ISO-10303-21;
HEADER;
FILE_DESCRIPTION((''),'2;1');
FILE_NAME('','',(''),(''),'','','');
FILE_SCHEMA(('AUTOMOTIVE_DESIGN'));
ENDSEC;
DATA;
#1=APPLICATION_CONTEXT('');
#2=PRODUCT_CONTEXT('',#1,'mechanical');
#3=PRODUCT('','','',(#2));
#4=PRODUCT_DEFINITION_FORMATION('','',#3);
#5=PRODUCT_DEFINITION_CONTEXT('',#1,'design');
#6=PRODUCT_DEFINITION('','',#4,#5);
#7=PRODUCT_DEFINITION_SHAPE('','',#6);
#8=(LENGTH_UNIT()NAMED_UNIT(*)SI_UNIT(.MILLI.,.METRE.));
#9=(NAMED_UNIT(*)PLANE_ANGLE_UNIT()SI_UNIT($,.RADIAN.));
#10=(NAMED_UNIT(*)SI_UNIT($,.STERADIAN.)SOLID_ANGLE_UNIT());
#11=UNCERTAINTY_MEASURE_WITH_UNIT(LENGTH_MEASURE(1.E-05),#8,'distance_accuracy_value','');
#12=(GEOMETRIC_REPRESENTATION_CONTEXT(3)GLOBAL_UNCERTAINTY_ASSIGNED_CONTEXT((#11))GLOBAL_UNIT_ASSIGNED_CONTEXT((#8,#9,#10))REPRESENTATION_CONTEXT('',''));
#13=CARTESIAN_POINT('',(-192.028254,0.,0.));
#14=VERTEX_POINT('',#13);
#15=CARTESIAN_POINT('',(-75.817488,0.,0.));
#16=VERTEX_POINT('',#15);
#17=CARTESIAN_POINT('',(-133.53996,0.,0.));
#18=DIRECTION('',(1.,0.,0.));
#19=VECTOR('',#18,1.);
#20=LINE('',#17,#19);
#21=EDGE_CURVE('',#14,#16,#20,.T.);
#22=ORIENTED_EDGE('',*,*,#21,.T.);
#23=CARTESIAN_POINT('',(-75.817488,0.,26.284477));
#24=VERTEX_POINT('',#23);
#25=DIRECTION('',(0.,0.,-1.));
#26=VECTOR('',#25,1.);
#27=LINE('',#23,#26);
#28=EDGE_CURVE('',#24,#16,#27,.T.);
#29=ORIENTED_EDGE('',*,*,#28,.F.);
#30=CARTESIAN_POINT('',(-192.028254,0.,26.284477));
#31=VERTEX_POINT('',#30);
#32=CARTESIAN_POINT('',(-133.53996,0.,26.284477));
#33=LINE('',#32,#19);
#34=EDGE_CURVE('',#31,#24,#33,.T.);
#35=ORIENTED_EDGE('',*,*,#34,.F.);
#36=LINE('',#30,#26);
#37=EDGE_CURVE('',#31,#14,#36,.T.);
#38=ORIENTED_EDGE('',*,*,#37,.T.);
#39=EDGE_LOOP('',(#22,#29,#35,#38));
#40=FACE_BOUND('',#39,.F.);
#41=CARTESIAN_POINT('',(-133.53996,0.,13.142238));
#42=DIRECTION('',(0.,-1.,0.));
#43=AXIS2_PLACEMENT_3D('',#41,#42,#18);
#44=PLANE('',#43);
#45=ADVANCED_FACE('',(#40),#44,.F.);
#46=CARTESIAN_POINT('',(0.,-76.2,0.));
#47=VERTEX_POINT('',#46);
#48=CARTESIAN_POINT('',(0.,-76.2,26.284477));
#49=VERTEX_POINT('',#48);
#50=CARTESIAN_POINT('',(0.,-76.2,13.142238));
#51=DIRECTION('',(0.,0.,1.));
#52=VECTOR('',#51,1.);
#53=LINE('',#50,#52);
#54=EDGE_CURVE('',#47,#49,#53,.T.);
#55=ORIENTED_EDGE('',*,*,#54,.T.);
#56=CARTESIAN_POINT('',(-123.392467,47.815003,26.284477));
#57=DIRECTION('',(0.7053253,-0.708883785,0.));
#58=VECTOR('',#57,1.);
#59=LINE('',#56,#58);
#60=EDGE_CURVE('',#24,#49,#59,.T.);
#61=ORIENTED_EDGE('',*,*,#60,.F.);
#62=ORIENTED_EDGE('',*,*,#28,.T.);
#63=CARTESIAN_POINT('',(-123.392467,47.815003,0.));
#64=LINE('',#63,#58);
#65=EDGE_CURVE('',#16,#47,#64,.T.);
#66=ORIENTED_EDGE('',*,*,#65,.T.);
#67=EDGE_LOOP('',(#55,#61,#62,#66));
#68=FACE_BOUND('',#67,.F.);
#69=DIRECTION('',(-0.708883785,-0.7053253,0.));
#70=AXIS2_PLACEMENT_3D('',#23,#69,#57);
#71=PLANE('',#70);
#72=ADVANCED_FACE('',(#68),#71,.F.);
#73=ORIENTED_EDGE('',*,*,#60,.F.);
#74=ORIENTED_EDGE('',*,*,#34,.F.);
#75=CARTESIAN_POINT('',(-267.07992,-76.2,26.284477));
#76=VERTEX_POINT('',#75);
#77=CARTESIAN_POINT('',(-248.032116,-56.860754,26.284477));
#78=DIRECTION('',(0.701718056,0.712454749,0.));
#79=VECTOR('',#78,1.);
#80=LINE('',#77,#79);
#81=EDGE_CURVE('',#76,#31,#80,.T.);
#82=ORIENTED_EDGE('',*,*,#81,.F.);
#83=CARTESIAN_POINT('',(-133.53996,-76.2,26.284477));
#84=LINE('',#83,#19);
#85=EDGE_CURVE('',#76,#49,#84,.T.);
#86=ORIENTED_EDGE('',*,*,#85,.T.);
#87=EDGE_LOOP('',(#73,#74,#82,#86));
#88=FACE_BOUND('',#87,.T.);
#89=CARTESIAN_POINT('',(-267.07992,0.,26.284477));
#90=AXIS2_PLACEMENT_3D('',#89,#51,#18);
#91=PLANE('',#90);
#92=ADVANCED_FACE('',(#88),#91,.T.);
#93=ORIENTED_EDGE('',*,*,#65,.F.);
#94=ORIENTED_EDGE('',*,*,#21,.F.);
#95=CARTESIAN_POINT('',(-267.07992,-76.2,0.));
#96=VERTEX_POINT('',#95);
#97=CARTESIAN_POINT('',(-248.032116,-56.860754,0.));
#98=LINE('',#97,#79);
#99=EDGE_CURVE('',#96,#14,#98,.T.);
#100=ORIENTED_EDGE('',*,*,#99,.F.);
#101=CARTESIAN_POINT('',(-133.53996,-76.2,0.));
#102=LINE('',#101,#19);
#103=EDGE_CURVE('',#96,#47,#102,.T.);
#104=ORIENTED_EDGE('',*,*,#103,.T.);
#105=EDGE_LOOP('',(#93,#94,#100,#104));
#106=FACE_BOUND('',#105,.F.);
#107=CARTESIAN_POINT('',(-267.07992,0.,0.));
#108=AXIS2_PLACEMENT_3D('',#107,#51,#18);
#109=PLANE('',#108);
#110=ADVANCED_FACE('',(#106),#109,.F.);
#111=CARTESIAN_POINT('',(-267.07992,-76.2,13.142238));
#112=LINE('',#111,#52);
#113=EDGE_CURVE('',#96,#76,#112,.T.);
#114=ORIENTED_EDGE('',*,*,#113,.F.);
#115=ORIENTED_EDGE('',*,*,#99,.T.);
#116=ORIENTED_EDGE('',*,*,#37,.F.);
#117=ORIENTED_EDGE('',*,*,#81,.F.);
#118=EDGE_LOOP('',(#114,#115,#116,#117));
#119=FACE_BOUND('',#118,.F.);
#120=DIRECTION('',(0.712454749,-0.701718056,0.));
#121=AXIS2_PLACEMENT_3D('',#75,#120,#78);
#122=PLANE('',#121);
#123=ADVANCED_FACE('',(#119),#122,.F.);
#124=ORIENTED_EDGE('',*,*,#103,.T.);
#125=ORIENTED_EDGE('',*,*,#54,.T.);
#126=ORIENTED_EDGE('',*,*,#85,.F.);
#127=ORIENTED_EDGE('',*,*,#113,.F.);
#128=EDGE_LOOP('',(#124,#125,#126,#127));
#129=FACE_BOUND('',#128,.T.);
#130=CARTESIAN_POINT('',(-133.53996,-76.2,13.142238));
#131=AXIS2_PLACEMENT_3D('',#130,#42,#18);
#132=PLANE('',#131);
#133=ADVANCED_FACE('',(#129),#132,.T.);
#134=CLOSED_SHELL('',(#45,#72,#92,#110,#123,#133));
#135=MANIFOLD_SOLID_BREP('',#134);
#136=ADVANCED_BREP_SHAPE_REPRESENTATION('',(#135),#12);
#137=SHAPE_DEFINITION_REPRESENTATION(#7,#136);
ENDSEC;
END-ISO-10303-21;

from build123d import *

# Parameters (mm, degrees)
F0_W     = 267.07992
F0_H     = 26.284477
F1_DEPTH = 76.2
F3_DEPTH = 50.8


with BuildPart() as f1:
    # F0 (on Front) → F1 (new body)
    with BuildSketch(Plane.XZ):
        with Locations((-133.53996, 13.142238)):
            Rectangle(F0_W, F0_H)
    extrude(amount=F1_DEPTH)

    # F2 (on face) → F3 (cut)
    with BuildSketch(Plane.XY.offset(26.284477)):
        Polygon((-192.028254, 0), (-267.07992, 0), (-267.07992, -76.2), align=None)
        Polygon((0, -76.2), (0, 0), (-75.817488, 0), align=None)
    extrude(amount=-F3_DEPTH, mode=Mode.SUBTRACT)


solid = f1.part
